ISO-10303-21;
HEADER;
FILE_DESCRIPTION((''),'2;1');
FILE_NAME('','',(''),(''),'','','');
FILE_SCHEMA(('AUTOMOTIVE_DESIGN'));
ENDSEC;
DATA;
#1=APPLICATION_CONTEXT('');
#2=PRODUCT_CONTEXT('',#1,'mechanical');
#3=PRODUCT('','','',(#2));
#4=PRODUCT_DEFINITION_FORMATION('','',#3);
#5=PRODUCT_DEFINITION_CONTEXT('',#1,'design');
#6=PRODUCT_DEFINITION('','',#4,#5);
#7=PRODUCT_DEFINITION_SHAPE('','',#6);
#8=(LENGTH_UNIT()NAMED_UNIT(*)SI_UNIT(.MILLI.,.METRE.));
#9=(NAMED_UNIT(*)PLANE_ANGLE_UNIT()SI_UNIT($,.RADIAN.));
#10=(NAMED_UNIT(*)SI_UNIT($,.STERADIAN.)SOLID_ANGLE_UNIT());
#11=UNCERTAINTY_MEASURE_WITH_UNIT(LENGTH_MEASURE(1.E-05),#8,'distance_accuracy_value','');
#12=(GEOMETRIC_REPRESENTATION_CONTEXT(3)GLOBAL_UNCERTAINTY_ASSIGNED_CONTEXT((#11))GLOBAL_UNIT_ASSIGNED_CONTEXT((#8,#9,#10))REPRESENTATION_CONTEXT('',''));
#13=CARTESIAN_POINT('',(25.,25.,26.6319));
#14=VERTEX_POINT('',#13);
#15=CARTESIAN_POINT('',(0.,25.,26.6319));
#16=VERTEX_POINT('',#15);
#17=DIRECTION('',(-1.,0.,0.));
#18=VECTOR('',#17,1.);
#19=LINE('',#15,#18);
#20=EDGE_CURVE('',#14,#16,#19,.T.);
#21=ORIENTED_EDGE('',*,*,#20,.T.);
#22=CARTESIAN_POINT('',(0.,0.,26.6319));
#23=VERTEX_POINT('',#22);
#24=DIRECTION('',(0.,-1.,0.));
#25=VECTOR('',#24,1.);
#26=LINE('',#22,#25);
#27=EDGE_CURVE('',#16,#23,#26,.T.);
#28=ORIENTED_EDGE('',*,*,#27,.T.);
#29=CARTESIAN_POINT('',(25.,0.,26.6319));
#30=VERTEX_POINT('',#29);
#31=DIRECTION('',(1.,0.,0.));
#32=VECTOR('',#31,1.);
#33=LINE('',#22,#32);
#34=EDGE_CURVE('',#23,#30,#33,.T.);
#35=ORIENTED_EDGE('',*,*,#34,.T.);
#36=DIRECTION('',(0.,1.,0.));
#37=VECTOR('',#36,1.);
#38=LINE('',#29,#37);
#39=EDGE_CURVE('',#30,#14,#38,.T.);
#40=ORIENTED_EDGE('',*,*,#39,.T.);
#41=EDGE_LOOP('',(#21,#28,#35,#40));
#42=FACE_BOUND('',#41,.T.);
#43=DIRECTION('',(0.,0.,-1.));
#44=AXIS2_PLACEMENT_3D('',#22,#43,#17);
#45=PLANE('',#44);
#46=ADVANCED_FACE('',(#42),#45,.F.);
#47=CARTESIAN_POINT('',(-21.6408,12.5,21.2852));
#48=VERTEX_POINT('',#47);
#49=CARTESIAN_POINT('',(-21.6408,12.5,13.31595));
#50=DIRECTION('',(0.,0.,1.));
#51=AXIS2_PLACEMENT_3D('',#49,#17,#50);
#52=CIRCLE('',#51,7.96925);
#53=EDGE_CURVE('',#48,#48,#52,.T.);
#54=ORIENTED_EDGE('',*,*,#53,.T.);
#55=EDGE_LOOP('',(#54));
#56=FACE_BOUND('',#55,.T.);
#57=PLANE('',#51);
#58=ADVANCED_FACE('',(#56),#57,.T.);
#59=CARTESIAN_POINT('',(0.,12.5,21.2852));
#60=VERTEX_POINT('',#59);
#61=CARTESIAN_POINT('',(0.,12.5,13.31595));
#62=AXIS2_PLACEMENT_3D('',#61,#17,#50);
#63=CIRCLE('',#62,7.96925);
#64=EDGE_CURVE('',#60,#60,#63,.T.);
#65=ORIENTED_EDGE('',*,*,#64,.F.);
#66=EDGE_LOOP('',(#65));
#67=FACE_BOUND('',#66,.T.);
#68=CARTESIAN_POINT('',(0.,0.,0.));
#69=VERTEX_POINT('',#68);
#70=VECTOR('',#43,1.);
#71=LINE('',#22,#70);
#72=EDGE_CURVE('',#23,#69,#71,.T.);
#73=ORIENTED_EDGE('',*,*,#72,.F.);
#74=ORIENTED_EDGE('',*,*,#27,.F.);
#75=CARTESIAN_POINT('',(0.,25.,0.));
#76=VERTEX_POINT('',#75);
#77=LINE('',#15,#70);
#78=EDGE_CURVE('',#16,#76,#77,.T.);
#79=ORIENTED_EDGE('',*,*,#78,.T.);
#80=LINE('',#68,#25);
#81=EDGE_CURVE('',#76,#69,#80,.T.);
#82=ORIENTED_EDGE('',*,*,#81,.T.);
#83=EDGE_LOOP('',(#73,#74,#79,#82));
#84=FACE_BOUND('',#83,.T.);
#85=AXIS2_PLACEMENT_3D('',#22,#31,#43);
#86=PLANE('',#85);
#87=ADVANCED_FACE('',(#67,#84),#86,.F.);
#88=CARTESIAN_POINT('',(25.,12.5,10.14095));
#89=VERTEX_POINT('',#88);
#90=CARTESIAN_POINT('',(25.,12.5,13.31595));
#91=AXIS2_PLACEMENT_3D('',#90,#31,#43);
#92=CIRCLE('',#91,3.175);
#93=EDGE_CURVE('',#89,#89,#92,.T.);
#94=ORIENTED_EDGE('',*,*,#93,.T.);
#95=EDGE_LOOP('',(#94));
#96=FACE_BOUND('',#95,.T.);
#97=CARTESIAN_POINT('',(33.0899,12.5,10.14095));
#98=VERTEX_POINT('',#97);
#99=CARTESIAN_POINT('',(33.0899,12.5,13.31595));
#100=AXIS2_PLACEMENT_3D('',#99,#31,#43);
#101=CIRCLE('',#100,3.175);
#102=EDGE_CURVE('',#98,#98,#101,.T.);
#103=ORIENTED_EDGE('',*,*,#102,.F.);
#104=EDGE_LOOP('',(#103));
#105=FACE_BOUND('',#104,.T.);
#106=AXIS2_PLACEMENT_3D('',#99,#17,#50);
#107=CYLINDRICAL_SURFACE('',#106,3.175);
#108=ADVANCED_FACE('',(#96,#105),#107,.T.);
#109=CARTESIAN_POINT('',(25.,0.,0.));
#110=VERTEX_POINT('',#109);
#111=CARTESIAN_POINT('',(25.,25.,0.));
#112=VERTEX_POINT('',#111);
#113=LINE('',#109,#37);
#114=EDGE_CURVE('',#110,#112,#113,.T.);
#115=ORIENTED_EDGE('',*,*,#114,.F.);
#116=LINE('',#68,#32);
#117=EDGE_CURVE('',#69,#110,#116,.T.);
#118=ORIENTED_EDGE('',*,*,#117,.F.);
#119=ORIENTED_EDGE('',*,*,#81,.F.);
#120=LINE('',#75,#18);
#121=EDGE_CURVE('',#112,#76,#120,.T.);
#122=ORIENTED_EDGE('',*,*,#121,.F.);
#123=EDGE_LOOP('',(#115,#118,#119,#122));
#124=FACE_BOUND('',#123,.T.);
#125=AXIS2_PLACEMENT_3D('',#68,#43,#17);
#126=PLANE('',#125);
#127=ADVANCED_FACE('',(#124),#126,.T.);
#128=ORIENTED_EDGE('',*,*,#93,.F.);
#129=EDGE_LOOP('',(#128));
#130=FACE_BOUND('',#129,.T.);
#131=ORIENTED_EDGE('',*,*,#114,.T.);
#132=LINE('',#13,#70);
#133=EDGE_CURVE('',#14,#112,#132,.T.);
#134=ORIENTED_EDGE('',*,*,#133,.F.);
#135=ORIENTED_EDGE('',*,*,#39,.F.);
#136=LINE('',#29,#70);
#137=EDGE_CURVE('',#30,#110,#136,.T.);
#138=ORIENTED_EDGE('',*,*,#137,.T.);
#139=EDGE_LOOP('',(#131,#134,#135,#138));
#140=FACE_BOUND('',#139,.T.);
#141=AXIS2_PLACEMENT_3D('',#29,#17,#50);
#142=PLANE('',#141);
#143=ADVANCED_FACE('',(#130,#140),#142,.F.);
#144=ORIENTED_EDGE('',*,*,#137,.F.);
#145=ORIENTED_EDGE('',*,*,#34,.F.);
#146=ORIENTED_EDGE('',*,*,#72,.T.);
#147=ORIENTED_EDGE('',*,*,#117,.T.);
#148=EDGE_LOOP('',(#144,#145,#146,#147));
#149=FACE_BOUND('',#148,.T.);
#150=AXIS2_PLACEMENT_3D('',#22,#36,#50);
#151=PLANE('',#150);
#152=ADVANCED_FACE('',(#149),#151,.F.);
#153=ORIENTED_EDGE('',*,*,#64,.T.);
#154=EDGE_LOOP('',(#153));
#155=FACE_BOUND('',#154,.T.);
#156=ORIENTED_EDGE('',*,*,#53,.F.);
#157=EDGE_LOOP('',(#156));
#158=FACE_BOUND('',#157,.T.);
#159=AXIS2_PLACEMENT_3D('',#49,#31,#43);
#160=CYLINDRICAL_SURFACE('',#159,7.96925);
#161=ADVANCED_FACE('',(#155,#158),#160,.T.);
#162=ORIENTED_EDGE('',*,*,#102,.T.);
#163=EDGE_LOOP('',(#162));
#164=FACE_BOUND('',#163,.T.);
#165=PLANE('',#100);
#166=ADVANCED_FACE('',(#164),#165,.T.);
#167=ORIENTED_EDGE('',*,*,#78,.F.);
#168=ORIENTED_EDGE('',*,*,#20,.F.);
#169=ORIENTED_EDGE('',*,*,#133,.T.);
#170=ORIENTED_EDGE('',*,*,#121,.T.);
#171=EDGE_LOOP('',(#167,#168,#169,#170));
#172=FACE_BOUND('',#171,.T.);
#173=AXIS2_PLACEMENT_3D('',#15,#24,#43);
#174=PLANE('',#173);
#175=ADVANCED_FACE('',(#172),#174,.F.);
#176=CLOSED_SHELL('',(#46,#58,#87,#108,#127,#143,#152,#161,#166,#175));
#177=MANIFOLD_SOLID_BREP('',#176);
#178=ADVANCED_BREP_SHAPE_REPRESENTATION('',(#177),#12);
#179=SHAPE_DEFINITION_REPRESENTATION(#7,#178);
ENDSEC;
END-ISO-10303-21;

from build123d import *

# Parameters (mm, degrees)
SKETCH1_W           = 25
SKETCH1_H           = 25
BOSS_EXTRUDE1_DEPTH = 26.6319
SKETCH2_R           = 7.96925
BOSS_EXTRUDE2_DEPTH = 21.6408
SKETCH3_R           = 3.175
BOSS_EXTRUDE3_DEPTH = 8.0899


with BuildPart() as part:
    # Sketch1 → Boss-Extrude1 (new body)
    with BuildSketch(Plane.XY):
        with Locations((12.5, 12.5)):
            Rectangle(SKETCH1_W, SKETCH1_H)
    extrude(amount=BOSS_EXTRUDE1_DEPTH)

    # Sketch2 → Boss-Extrude2 (add)
    with BuildSketch(Plane.ZY):
        with Locations((13.31595, 12.5)):
            Circle(SKETCH2_R)
    extrude(amount=BOSS_EXTRUDE2_DEPTH)

    # Sketch3 → Boss-Extrude3 (add)
    with BuildSketch(Plane(origin=(25, 0, 0), x_dir=(0, 0, -1), z_dir=(1, 0, 0))):
        with Locations((-13.31595, 12.5)):
            Circle(SKETCH3_R)
    extrude(amount=BOSS_EXTRUDE3_DEPTH)


solid = part.part
